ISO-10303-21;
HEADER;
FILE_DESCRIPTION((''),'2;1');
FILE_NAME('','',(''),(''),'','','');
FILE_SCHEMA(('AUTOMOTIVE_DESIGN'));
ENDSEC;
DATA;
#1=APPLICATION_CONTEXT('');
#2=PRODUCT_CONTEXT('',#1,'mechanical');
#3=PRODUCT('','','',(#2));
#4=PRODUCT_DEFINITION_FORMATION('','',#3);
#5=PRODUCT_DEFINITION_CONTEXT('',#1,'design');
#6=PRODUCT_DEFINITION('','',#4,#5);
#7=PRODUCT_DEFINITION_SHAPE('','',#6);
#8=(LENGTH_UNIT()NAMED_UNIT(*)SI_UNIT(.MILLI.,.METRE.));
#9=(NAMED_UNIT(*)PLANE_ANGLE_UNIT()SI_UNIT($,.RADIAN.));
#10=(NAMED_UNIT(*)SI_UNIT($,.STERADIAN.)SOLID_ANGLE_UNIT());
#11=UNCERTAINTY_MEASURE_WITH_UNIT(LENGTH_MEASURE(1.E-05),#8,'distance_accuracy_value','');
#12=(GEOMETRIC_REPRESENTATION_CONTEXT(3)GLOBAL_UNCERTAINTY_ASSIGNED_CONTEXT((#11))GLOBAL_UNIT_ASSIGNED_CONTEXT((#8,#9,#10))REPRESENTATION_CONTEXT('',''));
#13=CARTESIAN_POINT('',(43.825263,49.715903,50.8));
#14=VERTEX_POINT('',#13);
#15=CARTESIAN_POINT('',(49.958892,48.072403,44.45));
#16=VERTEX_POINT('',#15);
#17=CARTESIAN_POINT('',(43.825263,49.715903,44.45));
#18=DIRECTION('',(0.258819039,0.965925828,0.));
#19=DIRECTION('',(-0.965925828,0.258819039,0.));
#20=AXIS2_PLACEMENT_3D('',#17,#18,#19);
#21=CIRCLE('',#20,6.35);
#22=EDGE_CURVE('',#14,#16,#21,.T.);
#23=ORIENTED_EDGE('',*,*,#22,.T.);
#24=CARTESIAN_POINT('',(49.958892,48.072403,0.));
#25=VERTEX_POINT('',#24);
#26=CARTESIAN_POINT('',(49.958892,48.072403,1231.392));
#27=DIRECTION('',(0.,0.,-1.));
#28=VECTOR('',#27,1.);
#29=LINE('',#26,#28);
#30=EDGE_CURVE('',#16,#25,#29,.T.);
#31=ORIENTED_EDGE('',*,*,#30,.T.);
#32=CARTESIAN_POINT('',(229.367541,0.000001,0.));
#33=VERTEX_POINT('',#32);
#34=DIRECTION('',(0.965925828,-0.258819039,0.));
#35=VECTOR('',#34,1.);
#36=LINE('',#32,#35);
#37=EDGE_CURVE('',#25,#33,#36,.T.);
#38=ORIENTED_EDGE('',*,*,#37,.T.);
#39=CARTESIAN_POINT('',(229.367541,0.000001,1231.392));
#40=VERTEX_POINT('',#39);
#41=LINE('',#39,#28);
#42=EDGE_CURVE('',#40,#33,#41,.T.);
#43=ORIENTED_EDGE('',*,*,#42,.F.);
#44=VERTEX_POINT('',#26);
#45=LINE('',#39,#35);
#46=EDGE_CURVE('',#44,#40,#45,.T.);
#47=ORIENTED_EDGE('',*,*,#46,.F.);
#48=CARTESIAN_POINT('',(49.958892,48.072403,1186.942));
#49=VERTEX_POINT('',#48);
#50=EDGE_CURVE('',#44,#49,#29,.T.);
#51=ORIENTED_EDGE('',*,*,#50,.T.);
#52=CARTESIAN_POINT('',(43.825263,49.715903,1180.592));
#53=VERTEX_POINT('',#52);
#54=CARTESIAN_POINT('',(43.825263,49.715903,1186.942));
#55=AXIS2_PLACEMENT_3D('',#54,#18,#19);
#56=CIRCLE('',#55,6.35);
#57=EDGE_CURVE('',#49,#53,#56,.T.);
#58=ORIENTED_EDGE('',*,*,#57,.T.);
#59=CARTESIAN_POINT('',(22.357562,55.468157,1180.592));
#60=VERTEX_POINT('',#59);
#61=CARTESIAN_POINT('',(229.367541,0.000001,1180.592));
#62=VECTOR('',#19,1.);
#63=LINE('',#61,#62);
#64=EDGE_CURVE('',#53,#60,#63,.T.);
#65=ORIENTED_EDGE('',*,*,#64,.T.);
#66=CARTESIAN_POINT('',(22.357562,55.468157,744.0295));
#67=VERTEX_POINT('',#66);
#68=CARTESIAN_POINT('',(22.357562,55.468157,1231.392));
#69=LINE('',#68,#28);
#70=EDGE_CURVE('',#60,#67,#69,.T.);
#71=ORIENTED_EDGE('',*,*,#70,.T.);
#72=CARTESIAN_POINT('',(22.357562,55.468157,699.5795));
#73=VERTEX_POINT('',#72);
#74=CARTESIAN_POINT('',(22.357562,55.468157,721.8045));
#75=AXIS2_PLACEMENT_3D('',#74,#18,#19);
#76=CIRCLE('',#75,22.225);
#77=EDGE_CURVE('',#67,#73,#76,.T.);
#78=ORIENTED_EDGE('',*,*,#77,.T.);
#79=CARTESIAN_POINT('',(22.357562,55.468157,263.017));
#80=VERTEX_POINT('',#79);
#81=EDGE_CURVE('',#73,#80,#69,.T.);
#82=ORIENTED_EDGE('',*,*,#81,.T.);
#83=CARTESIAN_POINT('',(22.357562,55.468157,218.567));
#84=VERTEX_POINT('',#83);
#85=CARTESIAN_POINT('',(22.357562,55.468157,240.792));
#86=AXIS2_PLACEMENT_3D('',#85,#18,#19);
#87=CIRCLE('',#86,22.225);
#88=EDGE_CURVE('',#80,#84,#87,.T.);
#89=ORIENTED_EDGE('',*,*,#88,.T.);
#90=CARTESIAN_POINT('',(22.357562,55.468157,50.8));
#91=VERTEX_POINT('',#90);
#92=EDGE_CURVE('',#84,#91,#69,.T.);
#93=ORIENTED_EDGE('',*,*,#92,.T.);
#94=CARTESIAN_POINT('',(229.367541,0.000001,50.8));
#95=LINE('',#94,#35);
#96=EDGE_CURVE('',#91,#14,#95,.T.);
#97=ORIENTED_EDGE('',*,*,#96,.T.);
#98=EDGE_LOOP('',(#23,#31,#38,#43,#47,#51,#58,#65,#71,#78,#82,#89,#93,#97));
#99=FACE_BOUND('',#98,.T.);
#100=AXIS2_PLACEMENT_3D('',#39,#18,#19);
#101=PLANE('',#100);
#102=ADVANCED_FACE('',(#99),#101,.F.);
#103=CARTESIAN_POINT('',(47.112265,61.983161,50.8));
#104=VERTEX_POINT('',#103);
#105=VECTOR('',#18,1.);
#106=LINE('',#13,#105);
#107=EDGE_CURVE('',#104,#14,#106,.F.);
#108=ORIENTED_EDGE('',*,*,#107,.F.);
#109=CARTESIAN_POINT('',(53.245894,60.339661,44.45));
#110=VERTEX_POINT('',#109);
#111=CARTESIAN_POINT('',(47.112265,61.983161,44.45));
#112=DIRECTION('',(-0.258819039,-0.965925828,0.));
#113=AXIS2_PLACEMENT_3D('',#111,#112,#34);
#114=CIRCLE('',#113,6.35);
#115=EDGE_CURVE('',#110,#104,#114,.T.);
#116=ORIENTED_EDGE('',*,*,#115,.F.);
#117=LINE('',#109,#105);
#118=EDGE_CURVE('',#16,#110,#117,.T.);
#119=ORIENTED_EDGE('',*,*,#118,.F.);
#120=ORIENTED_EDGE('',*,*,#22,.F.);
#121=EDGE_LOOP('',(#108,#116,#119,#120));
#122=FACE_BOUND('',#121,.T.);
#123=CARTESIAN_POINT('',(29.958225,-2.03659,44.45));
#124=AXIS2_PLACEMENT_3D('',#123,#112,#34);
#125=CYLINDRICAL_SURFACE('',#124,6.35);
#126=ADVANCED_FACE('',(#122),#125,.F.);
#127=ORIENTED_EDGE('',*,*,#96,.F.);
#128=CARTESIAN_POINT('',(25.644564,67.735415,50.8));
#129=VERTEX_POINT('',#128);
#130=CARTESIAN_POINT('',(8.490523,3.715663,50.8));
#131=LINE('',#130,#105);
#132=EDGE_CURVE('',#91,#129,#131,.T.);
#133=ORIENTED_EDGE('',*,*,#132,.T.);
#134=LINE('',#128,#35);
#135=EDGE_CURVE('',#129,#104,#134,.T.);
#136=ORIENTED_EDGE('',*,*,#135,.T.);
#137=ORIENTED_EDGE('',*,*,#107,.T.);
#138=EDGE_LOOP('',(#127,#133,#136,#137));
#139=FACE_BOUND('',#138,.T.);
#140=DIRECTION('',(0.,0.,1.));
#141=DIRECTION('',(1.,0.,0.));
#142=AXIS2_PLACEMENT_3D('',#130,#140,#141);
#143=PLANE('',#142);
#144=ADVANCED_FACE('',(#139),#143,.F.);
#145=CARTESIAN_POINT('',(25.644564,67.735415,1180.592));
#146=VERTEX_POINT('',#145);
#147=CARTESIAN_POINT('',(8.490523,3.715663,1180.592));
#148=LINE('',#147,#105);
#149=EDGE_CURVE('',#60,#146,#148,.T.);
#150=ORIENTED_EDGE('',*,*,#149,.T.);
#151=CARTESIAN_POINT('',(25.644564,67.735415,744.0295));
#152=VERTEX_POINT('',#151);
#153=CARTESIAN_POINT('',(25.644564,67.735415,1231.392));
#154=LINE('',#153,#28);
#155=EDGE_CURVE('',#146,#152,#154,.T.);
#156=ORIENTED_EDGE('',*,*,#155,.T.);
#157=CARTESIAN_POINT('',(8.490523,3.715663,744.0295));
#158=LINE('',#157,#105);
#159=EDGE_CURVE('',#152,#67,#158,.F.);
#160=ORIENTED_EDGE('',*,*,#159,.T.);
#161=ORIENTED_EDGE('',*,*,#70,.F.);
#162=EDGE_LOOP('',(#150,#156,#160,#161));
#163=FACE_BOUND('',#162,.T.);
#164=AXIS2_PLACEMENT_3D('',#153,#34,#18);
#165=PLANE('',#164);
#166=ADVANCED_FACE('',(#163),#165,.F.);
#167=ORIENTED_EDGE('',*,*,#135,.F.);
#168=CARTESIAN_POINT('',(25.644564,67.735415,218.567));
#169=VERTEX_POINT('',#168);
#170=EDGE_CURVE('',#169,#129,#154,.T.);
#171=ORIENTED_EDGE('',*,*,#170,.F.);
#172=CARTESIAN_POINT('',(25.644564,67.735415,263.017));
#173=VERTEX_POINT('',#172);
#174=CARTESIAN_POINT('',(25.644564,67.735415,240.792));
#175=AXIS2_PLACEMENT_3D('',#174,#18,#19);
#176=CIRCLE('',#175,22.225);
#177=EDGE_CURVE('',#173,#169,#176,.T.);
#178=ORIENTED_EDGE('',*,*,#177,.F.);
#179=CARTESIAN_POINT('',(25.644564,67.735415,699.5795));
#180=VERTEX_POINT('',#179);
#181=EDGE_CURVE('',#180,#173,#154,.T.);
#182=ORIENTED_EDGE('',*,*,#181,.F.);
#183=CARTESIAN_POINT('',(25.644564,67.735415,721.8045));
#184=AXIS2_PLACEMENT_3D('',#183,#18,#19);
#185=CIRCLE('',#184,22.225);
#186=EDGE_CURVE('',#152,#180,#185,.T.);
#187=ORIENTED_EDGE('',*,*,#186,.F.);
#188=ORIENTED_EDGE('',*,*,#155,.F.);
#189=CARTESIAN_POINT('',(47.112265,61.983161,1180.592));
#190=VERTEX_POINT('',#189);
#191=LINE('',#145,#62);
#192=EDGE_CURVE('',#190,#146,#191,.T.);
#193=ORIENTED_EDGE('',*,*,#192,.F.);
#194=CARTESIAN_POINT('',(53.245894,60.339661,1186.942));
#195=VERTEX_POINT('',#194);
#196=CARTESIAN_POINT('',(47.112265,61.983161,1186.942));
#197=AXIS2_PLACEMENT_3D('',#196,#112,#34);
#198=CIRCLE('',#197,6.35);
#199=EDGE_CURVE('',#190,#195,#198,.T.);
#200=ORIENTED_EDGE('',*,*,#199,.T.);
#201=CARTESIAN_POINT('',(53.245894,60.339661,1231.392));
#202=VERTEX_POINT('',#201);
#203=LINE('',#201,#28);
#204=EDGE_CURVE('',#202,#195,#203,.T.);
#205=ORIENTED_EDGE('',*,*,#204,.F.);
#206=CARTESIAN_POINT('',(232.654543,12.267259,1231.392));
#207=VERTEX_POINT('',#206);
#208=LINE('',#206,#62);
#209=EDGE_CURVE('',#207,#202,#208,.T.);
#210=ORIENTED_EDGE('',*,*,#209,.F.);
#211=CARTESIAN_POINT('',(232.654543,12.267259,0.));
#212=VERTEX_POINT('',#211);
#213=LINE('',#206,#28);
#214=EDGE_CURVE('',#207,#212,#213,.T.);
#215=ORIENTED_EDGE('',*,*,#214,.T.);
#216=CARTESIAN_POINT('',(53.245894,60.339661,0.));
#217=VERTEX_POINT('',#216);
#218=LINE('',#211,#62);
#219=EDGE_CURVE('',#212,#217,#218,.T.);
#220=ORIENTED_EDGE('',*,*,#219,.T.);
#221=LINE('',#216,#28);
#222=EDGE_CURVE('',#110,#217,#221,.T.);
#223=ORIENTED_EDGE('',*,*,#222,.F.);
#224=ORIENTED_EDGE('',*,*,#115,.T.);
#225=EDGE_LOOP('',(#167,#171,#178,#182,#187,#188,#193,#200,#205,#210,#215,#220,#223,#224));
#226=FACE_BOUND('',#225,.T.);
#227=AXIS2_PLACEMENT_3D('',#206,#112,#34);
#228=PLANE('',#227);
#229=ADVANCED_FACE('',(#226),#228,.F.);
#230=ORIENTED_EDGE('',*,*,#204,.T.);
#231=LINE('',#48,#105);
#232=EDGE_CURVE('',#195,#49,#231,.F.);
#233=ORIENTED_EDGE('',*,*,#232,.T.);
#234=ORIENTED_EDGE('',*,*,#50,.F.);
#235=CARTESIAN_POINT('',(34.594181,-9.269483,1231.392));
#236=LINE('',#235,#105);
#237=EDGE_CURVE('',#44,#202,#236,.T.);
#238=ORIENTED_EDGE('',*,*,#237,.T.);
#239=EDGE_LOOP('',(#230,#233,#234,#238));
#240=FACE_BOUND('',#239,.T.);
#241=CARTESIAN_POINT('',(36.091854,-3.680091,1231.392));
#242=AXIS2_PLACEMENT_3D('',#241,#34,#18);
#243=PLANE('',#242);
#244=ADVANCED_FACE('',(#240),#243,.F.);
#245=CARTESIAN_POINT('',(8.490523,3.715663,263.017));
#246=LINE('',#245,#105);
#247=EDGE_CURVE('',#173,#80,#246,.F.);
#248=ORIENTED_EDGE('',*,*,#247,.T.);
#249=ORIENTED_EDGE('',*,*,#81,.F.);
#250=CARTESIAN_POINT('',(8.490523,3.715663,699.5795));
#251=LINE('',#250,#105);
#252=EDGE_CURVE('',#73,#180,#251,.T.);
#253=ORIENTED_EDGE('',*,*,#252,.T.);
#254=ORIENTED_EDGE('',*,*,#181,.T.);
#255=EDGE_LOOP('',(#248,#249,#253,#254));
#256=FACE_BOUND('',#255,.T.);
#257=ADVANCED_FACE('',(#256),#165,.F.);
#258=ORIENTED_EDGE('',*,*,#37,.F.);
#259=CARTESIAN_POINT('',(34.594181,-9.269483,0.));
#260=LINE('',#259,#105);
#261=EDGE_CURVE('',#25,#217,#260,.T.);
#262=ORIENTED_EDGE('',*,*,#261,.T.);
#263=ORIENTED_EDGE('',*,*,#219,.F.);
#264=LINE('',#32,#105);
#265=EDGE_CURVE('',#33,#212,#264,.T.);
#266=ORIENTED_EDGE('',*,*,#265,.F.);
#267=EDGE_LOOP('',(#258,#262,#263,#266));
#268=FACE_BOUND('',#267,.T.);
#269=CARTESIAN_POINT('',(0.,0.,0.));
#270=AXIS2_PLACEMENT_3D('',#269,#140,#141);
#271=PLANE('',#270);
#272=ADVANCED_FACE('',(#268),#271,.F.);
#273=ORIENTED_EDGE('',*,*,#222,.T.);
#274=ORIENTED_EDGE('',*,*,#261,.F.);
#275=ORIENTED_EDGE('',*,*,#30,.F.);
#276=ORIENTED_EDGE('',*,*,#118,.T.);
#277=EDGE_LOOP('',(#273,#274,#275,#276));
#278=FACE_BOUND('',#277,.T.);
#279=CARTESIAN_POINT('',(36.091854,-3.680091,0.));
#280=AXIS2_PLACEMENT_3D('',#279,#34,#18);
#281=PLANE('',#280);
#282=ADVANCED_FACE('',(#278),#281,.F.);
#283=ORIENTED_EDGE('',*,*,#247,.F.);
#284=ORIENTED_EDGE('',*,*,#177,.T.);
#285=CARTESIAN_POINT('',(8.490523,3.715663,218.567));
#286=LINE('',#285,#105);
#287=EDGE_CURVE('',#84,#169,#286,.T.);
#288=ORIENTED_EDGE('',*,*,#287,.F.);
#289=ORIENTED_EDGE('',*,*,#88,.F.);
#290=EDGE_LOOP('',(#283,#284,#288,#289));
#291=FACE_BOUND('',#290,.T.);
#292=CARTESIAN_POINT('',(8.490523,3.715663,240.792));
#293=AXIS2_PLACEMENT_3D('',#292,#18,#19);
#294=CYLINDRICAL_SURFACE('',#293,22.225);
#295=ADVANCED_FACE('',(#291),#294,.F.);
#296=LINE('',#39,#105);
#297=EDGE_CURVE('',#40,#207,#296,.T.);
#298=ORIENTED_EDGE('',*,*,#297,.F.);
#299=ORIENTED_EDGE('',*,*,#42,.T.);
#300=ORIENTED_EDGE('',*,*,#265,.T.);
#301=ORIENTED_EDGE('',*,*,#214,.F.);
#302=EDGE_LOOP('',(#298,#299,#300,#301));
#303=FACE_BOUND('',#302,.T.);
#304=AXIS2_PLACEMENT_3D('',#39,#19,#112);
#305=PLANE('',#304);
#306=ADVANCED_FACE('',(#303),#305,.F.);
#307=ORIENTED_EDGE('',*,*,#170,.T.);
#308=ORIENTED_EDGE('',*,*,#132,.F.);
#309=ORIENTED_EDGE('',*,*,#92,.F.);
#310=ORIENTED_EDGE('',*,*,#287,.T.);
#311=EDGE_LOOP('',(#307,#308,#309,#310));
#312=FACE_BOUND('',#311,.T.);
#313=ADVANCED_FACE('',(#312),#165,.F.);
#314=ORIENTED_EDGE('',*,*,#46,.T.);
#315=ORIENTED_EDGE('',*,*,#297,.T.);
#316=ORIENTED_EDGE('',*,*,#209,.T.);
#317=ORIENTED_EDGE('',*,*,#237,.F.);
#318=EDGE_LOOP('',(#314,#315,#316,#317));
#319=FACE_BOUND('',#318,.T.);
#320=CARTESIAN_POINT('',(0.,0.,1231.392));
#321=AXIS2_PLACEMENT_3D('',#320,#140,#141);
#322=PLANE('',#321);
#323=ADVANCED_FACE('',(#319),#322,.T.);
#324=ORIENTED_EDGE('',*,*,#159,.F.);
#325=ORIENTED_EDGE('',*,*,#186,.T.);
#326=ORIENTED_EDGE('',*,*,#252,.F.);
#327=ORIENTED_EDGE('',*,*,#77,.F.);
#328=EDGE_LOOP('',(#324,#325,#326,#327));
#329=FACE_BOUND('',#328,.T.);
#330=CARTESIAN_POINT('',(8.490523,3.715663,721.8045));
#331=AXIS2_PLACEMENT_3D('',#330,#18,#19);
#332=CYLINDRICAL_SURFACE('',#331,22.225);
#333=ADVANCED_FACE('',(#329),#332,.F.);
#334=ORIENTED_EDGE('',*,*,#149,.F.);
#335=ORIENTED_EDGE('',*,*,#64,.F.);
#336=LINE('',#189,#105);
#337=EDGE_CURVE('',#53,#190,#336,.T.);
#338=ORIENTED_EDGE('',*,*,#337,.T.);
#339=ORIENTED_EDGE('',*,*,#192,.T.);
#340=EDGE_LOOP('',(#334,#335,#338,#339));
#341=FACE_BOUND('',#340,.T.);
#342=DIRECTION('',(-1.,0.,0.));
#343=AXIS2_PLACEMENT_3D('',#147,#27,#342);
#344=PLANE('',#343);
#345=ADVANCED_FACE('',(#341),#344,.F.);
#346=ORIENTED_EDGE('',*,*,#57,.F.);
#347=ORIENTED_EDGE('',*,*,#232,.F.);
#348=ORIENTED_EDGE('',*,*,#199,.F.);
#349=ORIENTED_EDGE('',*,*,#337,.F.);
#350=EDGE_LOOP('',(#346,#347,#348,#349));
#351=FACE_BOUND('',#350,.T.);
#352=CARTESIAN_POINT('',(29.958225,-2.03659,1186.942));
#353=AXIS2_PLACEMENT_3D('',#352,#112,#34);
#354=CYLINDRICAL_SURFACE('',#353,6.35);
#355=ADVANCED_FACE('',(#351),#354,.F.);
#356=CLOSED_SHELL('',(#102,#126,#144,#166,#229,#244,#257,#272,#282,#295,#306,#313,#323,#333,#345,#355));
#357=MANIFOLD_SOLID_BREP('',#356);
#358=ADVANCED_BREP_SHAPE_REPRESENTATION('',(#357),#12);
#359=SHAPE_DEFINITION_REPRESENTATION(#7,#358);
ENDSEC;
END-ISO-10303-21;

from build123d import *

# Parameters (mm, degrees)
BOSS_EXTRUDE1_DEPTH = 1231.392
SKETCH5_R           = 22.225
SKETCH5_W           = 28.575
SKETCH5_H           = 50.8
CUT_EXTRUDE2_DEPTH  = 1252.786284181
FILLET1_R           = 6.35


with BuildPart() as part:
    # Sketch1 → Boss-Extrude1 (new body)
    with BuildSketch(Plane.XY):
        Polygon((232.654542571, 12.267259413), (25.64456355, 67.73541462), (22.35756176, 55.468156604), (229.367540781, 1.397e-06), align=None)
    extrude(amount=BOSS_EXTRUDE1_DEPTH)

    # Sketch5 → Cut-Extrude2 (cut, through all)
    with BuildSketch(Plane(origin=(18.651713196, 69.609143174, 0), x_dir=(0.9659258280351158, -0.25881903858618227, 0), z_dir=(0.2588190385861823, 0.965925828035116, 0))):
        with Locations((7.239531392, -721.8045)):
            Circle(SKETCH5_R)
        with Locations((7.239531392, -240.792)):
            Circle(SKETCH5_R)
        with Locations((21.527031392, -1205.992)):
            Rectangle(SKETCH5_W, SKETCH5_H)
        with Locations((21.527031392, -25.4)):
            Rectangle(SKETCH5_W, SKETCH5_H)
    extrude(amount=-CUT_EXTRUDE2_DEPTH, mode=Mode.SUBTRACT)

    # Fillet1
    fillet1_edges = [part.edges().sort_by_distance(p)[0] for p in [
        (51.602393192, 54.206031584, 1180.592),
        (51.602393192, 54.206031584, 50.8),
    ]]
    fillet(fillet1_edges, radius=FILLET1_R)


solid = part.part
